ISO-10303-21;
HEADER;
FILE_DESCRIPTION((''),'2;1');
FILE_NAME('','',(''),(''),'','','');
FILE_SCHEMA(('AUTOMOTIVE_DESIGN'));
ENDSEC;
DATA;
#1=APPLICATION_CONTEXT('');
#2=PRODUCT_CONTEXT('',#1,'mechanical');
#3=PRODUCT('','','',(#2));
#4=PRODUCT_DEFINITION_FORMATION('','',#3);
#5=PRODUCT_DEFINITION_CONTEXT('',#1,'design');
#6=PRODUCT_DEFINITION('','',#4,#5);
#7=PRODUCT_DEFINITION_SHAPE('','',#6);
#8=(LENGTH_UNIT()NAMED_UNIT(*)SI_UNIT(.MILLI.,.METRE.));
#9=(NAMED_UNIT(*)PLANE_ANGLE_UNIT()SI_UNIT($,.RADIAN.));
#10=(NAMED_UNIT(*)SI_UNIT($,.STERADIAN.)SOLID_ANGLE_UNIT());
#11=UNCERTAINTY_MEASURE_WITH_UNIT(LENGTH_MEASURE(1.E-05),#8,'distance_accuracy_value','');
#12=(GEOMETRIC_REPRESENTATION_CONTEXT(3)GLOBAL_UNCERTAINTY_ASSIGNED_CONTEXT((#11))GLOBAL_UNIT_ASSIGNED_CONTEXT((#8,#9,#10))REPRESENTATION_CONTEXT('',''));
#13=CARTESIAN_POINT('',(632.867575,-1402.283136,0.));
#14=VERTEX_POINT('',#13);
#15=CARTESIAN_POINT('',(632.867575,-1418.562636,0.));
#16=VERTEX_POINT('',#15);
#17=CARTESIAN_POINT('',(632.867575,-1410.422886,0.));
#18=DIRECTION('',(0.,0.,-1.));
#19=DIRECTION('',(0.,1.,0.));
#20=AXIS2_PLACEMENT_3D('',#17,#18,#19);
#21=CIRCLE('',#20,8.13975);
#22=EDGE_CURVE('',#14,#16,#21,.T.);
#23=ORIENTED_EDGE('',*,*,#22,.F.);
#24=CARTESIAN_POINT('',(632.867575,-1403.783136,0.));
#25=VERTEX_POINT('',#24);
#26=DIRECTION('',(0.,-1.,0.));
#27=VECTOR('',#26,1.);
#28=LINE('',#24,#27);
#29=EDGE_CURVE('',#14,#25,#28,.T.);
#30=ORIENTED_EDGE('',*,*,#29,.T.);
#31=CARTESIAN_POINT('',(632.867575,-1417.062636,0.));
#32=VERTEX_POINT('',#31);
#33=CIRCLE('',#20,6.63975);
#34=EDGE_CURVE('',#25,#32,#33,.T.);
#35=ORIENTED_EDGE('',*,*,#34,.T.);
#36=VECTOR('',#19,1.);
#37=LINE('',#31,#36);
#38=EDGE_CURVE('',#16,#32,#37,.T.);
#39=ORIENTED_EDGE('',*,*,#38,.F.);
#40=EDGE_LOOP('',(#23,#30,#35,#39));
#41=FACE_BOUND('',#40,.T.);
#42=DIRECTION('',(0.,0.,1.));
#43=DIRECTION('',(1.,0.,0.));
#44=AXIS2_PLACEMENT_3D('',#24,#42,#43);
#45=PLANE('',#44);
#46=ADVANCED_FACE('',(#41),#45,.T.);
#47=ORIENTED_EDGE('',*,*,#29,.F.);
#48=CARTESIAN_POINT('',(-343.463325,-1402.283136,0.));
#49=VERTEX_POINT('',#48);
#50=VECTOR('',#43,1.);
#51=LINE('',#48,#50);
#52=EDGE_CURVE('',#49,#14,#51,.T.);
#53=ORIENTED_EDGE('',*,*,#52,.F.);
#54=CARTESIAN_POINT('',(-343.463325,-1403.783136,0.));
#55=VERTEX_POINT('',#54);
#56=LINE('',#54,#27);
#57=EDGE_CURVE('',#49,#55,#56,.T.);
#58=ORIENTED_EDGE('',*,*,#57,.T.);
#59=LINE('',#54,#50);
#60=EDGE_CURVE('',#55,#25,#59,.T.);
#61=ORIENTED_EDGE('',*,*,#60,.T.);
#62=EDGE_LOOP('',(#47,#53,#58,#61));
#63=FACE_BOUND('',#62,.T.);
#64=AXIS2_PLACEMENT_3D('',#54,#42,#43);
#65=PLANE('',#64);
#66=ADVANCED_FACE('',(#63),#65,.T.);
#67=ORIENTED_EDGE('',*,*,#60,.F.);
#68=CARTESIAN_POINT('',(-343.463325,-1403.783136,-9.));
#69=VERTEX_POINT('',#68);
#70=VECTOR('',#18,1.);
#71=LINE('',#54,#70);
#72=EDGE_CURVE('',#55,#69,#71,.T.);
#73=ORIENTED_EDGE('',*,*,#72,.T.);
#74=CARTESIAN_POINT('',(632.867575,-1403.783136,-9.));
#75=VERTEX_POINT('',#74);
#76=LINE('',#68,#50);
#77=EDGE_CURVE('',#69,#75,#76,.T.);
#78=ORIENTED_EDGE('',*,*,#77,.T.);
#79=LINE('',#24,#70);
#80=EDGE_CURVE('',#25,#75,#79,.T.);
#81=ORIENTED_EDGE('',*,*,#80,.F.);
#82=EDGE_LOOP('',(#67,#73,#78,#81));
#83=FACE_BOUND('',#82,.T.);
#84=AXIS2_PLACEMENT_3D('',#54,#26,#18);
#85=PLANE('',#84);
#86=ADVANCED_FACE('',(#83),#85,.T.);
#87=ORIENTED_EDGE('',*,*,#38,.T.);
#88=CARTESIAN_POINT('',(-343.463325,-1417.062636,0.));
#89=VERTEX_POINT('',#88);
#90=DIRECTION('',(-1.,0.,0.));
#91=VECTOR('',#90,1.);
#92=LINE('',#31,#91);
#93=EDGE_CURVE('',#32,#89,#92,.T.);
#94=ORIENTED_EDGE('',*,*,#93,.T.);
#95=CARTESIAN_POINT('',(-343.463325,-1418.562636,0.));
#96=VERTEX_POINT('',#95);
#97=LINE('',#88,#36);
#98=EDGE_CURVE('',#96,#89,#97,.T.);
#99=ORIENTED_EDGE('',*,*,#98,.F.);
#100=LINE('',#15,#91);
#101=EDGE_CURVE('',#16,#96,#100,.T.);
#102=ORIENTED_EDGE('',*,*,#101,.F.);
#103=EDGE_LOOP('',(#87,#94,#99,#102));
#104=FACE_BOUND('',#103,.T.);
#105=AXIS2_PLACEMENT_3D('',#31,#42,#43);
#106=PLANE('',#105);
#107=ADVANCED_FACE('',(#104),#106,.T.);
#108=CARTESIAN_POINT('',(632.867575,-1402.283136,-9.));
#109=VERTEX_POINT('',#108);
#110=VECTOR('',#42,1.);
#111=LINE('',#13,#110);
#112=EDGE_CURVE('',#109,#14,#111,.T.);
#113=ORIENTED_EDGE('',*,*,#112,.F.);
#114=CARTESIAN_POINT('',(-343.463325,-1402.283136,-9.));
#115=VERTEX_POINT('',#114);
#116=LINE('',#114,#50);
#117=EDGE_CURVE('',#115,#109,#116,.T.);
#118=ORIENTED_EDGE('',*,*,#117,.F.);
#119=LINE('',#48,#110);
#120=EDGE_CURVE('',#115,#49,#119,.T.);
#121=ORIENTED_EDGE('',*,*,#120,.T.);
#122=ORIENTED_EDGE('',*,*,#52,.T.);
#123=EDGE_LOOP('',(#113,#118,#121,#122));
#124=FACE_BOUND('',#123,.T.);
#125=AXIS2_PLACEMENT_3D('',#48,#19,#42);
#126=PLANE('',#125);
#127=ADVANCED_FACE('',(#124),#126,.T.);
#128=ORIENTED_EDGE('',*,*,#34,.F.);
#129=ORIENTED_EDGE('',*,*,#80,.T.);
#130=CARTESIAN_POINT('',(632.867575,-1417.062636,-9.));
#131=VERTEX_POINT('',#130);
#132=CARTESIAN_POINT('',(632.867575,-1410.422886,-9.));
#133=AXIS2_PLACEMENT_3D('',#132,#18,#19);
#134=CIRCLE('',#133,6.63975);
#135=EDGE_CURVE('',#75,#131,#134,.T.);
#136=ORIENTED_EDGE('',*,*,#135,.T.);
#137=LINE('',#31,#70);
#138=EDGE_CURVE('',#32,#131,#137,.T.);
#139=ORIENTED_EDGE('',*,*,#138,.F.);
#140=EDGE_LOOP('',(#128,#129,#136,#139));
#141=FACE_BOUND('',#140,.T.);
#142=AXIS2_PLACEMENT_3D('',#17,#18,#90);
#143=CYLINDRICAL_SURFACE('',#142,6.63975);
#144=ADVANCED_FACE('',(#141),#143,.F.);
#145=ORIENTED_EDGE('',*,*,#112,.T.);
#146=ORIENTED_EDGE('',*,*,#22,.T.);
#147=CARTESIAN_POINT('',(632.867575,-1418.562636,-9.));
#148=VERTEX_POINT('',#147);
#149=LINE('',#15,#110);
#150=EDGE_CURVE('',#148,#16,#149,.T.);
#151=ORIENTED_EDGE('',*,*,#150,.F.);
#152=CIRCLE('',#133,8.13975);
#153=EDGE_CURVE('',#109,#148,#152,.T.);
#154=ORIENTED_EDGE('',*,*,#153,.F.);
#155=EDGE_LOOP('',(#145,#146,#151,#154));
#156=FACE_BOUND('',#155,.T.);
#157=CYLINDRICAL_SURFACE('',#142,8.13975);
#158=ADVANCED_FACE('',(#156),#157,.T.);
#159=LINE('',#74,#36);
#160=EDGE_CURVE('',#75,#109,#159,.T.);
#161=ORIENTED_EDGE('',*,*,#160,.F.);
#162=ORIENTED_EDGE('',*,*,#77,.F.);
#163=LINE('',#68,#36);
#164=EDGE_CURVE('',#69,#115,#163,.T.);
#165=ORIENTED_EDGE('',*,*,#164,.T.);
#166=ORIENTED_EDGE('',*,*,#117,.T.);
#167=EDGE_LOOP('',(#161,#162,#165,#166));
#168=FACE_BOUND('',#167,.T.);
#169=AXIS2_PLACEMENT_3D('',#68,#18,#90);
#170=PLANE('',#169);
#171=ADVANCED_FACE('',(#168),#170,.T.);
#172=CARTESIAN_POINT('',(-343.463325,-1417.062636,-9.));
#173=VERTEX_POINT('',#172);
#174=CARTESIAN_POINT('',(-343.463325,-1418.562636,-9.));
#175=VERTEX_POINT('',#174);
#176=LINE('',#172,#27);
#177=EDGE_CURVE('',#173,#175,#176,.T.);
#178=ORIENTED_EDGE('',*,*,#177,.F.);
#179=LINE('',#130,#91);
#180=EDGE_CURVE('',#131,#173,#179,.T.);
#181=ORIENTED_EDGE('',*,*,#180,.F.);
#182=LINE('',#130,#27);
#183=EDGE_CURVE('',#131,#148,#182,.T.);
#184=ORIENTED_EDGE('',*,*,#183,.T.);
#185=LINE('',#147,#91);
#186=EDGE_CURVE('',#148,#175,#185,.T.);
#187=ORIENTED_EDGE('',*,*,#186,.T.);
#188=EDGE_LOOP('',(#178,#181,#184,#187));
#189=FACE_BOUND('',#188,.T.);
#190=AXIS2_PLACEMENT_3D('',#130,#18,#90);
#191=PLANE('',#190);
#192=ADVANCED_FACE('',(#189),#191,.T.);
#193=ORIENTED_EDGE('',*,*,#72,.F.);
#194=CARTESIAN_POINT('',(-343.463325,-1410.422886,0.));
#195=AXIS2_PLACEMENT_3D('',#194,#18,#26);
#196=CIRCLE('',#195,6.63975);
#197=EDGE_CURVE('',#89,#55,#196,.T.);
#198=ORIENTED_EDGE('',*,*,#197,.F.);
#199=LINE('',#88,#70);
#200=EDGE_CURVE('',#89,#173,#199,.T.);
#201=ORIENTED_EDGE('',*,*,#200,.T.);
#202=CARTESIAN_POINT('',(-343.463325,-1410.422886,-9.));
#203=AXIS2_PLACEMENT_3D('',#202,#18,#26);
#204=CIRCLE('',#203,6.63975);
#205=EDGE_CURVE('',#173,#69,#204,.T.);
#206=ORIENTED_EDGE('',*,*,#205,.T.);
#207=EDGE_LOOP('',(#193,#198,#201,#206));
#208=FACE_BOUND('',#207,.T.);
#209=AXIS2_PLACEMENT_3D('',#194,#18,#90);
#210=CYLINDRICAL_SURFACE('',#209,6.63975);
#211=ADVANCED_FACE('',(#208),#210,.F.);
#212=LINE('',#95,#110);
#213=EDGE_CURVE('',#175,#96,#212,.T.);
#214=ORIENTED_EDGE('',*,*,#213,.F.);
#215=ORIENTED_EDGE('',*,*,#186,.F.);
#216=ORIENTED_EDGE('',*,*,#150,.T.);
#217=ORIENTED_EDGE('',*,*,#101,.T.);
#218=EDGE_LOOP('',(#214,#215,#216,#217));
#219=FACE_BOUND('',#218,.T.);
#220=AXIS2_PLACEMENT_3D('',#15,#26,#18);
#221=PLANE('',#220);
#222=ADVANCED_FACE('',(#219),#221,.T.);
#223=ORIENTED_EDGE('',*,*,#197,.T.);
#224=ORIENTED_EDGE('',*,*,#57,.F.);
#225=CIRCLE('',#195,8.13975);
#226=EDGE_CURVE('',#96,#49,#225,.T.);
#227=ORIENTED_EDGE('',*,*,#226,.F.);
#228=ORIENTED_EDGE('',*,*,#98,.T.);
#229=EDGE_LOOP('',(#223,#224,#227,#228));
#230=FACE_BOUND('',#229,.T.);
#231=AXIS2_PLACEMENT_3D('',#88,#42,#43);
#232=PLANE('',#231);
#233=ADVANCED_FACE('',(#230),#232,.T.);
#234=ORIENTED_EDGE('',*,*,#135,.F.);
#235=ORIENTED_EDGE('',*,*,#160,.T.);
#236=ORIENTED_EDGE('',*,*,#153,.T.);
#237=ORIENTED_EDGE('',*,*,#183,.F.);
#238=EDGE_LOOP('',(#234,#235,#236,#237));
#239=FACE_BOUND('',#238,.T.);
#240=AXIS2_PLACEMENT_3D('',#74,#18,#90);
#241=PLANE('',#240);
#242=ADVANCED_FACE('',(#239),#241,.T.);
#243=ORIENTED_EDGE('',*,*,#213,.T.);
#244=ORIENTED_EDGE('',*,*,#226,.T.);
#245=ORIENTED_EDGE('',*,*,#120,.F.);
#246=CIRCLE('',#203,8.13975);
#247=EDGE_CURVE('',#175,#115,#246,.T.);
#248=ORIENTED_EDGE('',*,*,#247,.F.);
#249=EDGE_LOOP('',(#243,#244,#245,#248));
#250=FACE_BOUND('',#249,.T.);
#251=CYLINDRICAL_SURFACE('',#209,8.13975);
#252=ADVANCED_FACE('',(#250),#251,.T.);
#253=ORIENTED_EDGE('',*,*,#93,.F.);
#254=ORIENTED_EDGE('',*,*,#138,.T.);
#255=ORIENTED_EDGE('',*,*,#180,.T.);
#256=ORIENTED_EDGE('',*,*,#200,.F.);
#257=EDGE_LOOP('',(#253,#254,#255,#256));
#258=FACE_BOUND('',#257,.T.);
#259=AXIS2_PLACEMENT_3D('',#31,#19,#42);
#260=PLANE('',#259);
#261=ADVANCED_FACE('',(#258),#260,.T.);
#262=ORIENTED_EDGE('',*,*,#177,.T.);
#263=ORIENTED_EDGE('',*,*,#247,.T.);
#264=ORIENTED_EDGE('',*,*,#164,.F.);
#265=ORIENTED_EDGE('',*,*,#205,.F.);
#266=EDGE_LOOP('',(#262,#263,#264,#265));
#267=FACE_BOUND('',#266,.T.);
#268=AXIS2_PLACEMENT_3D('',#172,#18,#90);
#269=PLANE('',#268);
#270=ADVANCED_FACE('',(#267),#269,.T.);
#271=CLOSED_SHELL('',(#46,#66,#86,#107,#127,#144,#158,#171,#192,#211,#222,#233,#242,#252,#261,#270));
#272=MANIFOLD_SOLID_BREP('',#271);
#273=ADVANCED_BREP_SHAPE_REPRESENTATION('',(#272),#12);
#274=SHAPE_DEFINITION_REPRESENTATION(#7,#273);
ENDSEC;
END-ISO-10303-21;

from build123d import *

# Parameters (mm, degrees)
SKETCH3_W = 9
SKETCH3_H = 1.5


with BuildPart() as part:
    # Sweep1: sweep along a path in Sketch2
    with BuildLine(Plane.XY) as sweep1_path:
        Line((632.867575204, -1418.562636498), (-343.463325095, -1418.562636498))
        ThreePointArc((-343.463325095, -1418.562636498), (-351.603075095, -1410.422886498), (-343.463325095, -1402.283136498))
        Line((-343.463325095, -1402.283136498), (632.867575204, -1402.283136498))
        ThreePointArc((632.867575204, -1402.283136498), (641.007325204, -1410.422886498), (632.867575204, -1418.562636498))
    # Sketch3 → Sweep1 (sweep)
    with BuildSketch(Plane(origin=(632.867575204, -1402.283136498, 0), x_dir=(0, 0, -1), z_dir=(1, 0, 0))):
        with Locations((4.5, -0.75)):
            Rectangle(SKETCH3_W, SKETCH3_H)
    sweep(path=sweep1_path.line)


solid = part.part
